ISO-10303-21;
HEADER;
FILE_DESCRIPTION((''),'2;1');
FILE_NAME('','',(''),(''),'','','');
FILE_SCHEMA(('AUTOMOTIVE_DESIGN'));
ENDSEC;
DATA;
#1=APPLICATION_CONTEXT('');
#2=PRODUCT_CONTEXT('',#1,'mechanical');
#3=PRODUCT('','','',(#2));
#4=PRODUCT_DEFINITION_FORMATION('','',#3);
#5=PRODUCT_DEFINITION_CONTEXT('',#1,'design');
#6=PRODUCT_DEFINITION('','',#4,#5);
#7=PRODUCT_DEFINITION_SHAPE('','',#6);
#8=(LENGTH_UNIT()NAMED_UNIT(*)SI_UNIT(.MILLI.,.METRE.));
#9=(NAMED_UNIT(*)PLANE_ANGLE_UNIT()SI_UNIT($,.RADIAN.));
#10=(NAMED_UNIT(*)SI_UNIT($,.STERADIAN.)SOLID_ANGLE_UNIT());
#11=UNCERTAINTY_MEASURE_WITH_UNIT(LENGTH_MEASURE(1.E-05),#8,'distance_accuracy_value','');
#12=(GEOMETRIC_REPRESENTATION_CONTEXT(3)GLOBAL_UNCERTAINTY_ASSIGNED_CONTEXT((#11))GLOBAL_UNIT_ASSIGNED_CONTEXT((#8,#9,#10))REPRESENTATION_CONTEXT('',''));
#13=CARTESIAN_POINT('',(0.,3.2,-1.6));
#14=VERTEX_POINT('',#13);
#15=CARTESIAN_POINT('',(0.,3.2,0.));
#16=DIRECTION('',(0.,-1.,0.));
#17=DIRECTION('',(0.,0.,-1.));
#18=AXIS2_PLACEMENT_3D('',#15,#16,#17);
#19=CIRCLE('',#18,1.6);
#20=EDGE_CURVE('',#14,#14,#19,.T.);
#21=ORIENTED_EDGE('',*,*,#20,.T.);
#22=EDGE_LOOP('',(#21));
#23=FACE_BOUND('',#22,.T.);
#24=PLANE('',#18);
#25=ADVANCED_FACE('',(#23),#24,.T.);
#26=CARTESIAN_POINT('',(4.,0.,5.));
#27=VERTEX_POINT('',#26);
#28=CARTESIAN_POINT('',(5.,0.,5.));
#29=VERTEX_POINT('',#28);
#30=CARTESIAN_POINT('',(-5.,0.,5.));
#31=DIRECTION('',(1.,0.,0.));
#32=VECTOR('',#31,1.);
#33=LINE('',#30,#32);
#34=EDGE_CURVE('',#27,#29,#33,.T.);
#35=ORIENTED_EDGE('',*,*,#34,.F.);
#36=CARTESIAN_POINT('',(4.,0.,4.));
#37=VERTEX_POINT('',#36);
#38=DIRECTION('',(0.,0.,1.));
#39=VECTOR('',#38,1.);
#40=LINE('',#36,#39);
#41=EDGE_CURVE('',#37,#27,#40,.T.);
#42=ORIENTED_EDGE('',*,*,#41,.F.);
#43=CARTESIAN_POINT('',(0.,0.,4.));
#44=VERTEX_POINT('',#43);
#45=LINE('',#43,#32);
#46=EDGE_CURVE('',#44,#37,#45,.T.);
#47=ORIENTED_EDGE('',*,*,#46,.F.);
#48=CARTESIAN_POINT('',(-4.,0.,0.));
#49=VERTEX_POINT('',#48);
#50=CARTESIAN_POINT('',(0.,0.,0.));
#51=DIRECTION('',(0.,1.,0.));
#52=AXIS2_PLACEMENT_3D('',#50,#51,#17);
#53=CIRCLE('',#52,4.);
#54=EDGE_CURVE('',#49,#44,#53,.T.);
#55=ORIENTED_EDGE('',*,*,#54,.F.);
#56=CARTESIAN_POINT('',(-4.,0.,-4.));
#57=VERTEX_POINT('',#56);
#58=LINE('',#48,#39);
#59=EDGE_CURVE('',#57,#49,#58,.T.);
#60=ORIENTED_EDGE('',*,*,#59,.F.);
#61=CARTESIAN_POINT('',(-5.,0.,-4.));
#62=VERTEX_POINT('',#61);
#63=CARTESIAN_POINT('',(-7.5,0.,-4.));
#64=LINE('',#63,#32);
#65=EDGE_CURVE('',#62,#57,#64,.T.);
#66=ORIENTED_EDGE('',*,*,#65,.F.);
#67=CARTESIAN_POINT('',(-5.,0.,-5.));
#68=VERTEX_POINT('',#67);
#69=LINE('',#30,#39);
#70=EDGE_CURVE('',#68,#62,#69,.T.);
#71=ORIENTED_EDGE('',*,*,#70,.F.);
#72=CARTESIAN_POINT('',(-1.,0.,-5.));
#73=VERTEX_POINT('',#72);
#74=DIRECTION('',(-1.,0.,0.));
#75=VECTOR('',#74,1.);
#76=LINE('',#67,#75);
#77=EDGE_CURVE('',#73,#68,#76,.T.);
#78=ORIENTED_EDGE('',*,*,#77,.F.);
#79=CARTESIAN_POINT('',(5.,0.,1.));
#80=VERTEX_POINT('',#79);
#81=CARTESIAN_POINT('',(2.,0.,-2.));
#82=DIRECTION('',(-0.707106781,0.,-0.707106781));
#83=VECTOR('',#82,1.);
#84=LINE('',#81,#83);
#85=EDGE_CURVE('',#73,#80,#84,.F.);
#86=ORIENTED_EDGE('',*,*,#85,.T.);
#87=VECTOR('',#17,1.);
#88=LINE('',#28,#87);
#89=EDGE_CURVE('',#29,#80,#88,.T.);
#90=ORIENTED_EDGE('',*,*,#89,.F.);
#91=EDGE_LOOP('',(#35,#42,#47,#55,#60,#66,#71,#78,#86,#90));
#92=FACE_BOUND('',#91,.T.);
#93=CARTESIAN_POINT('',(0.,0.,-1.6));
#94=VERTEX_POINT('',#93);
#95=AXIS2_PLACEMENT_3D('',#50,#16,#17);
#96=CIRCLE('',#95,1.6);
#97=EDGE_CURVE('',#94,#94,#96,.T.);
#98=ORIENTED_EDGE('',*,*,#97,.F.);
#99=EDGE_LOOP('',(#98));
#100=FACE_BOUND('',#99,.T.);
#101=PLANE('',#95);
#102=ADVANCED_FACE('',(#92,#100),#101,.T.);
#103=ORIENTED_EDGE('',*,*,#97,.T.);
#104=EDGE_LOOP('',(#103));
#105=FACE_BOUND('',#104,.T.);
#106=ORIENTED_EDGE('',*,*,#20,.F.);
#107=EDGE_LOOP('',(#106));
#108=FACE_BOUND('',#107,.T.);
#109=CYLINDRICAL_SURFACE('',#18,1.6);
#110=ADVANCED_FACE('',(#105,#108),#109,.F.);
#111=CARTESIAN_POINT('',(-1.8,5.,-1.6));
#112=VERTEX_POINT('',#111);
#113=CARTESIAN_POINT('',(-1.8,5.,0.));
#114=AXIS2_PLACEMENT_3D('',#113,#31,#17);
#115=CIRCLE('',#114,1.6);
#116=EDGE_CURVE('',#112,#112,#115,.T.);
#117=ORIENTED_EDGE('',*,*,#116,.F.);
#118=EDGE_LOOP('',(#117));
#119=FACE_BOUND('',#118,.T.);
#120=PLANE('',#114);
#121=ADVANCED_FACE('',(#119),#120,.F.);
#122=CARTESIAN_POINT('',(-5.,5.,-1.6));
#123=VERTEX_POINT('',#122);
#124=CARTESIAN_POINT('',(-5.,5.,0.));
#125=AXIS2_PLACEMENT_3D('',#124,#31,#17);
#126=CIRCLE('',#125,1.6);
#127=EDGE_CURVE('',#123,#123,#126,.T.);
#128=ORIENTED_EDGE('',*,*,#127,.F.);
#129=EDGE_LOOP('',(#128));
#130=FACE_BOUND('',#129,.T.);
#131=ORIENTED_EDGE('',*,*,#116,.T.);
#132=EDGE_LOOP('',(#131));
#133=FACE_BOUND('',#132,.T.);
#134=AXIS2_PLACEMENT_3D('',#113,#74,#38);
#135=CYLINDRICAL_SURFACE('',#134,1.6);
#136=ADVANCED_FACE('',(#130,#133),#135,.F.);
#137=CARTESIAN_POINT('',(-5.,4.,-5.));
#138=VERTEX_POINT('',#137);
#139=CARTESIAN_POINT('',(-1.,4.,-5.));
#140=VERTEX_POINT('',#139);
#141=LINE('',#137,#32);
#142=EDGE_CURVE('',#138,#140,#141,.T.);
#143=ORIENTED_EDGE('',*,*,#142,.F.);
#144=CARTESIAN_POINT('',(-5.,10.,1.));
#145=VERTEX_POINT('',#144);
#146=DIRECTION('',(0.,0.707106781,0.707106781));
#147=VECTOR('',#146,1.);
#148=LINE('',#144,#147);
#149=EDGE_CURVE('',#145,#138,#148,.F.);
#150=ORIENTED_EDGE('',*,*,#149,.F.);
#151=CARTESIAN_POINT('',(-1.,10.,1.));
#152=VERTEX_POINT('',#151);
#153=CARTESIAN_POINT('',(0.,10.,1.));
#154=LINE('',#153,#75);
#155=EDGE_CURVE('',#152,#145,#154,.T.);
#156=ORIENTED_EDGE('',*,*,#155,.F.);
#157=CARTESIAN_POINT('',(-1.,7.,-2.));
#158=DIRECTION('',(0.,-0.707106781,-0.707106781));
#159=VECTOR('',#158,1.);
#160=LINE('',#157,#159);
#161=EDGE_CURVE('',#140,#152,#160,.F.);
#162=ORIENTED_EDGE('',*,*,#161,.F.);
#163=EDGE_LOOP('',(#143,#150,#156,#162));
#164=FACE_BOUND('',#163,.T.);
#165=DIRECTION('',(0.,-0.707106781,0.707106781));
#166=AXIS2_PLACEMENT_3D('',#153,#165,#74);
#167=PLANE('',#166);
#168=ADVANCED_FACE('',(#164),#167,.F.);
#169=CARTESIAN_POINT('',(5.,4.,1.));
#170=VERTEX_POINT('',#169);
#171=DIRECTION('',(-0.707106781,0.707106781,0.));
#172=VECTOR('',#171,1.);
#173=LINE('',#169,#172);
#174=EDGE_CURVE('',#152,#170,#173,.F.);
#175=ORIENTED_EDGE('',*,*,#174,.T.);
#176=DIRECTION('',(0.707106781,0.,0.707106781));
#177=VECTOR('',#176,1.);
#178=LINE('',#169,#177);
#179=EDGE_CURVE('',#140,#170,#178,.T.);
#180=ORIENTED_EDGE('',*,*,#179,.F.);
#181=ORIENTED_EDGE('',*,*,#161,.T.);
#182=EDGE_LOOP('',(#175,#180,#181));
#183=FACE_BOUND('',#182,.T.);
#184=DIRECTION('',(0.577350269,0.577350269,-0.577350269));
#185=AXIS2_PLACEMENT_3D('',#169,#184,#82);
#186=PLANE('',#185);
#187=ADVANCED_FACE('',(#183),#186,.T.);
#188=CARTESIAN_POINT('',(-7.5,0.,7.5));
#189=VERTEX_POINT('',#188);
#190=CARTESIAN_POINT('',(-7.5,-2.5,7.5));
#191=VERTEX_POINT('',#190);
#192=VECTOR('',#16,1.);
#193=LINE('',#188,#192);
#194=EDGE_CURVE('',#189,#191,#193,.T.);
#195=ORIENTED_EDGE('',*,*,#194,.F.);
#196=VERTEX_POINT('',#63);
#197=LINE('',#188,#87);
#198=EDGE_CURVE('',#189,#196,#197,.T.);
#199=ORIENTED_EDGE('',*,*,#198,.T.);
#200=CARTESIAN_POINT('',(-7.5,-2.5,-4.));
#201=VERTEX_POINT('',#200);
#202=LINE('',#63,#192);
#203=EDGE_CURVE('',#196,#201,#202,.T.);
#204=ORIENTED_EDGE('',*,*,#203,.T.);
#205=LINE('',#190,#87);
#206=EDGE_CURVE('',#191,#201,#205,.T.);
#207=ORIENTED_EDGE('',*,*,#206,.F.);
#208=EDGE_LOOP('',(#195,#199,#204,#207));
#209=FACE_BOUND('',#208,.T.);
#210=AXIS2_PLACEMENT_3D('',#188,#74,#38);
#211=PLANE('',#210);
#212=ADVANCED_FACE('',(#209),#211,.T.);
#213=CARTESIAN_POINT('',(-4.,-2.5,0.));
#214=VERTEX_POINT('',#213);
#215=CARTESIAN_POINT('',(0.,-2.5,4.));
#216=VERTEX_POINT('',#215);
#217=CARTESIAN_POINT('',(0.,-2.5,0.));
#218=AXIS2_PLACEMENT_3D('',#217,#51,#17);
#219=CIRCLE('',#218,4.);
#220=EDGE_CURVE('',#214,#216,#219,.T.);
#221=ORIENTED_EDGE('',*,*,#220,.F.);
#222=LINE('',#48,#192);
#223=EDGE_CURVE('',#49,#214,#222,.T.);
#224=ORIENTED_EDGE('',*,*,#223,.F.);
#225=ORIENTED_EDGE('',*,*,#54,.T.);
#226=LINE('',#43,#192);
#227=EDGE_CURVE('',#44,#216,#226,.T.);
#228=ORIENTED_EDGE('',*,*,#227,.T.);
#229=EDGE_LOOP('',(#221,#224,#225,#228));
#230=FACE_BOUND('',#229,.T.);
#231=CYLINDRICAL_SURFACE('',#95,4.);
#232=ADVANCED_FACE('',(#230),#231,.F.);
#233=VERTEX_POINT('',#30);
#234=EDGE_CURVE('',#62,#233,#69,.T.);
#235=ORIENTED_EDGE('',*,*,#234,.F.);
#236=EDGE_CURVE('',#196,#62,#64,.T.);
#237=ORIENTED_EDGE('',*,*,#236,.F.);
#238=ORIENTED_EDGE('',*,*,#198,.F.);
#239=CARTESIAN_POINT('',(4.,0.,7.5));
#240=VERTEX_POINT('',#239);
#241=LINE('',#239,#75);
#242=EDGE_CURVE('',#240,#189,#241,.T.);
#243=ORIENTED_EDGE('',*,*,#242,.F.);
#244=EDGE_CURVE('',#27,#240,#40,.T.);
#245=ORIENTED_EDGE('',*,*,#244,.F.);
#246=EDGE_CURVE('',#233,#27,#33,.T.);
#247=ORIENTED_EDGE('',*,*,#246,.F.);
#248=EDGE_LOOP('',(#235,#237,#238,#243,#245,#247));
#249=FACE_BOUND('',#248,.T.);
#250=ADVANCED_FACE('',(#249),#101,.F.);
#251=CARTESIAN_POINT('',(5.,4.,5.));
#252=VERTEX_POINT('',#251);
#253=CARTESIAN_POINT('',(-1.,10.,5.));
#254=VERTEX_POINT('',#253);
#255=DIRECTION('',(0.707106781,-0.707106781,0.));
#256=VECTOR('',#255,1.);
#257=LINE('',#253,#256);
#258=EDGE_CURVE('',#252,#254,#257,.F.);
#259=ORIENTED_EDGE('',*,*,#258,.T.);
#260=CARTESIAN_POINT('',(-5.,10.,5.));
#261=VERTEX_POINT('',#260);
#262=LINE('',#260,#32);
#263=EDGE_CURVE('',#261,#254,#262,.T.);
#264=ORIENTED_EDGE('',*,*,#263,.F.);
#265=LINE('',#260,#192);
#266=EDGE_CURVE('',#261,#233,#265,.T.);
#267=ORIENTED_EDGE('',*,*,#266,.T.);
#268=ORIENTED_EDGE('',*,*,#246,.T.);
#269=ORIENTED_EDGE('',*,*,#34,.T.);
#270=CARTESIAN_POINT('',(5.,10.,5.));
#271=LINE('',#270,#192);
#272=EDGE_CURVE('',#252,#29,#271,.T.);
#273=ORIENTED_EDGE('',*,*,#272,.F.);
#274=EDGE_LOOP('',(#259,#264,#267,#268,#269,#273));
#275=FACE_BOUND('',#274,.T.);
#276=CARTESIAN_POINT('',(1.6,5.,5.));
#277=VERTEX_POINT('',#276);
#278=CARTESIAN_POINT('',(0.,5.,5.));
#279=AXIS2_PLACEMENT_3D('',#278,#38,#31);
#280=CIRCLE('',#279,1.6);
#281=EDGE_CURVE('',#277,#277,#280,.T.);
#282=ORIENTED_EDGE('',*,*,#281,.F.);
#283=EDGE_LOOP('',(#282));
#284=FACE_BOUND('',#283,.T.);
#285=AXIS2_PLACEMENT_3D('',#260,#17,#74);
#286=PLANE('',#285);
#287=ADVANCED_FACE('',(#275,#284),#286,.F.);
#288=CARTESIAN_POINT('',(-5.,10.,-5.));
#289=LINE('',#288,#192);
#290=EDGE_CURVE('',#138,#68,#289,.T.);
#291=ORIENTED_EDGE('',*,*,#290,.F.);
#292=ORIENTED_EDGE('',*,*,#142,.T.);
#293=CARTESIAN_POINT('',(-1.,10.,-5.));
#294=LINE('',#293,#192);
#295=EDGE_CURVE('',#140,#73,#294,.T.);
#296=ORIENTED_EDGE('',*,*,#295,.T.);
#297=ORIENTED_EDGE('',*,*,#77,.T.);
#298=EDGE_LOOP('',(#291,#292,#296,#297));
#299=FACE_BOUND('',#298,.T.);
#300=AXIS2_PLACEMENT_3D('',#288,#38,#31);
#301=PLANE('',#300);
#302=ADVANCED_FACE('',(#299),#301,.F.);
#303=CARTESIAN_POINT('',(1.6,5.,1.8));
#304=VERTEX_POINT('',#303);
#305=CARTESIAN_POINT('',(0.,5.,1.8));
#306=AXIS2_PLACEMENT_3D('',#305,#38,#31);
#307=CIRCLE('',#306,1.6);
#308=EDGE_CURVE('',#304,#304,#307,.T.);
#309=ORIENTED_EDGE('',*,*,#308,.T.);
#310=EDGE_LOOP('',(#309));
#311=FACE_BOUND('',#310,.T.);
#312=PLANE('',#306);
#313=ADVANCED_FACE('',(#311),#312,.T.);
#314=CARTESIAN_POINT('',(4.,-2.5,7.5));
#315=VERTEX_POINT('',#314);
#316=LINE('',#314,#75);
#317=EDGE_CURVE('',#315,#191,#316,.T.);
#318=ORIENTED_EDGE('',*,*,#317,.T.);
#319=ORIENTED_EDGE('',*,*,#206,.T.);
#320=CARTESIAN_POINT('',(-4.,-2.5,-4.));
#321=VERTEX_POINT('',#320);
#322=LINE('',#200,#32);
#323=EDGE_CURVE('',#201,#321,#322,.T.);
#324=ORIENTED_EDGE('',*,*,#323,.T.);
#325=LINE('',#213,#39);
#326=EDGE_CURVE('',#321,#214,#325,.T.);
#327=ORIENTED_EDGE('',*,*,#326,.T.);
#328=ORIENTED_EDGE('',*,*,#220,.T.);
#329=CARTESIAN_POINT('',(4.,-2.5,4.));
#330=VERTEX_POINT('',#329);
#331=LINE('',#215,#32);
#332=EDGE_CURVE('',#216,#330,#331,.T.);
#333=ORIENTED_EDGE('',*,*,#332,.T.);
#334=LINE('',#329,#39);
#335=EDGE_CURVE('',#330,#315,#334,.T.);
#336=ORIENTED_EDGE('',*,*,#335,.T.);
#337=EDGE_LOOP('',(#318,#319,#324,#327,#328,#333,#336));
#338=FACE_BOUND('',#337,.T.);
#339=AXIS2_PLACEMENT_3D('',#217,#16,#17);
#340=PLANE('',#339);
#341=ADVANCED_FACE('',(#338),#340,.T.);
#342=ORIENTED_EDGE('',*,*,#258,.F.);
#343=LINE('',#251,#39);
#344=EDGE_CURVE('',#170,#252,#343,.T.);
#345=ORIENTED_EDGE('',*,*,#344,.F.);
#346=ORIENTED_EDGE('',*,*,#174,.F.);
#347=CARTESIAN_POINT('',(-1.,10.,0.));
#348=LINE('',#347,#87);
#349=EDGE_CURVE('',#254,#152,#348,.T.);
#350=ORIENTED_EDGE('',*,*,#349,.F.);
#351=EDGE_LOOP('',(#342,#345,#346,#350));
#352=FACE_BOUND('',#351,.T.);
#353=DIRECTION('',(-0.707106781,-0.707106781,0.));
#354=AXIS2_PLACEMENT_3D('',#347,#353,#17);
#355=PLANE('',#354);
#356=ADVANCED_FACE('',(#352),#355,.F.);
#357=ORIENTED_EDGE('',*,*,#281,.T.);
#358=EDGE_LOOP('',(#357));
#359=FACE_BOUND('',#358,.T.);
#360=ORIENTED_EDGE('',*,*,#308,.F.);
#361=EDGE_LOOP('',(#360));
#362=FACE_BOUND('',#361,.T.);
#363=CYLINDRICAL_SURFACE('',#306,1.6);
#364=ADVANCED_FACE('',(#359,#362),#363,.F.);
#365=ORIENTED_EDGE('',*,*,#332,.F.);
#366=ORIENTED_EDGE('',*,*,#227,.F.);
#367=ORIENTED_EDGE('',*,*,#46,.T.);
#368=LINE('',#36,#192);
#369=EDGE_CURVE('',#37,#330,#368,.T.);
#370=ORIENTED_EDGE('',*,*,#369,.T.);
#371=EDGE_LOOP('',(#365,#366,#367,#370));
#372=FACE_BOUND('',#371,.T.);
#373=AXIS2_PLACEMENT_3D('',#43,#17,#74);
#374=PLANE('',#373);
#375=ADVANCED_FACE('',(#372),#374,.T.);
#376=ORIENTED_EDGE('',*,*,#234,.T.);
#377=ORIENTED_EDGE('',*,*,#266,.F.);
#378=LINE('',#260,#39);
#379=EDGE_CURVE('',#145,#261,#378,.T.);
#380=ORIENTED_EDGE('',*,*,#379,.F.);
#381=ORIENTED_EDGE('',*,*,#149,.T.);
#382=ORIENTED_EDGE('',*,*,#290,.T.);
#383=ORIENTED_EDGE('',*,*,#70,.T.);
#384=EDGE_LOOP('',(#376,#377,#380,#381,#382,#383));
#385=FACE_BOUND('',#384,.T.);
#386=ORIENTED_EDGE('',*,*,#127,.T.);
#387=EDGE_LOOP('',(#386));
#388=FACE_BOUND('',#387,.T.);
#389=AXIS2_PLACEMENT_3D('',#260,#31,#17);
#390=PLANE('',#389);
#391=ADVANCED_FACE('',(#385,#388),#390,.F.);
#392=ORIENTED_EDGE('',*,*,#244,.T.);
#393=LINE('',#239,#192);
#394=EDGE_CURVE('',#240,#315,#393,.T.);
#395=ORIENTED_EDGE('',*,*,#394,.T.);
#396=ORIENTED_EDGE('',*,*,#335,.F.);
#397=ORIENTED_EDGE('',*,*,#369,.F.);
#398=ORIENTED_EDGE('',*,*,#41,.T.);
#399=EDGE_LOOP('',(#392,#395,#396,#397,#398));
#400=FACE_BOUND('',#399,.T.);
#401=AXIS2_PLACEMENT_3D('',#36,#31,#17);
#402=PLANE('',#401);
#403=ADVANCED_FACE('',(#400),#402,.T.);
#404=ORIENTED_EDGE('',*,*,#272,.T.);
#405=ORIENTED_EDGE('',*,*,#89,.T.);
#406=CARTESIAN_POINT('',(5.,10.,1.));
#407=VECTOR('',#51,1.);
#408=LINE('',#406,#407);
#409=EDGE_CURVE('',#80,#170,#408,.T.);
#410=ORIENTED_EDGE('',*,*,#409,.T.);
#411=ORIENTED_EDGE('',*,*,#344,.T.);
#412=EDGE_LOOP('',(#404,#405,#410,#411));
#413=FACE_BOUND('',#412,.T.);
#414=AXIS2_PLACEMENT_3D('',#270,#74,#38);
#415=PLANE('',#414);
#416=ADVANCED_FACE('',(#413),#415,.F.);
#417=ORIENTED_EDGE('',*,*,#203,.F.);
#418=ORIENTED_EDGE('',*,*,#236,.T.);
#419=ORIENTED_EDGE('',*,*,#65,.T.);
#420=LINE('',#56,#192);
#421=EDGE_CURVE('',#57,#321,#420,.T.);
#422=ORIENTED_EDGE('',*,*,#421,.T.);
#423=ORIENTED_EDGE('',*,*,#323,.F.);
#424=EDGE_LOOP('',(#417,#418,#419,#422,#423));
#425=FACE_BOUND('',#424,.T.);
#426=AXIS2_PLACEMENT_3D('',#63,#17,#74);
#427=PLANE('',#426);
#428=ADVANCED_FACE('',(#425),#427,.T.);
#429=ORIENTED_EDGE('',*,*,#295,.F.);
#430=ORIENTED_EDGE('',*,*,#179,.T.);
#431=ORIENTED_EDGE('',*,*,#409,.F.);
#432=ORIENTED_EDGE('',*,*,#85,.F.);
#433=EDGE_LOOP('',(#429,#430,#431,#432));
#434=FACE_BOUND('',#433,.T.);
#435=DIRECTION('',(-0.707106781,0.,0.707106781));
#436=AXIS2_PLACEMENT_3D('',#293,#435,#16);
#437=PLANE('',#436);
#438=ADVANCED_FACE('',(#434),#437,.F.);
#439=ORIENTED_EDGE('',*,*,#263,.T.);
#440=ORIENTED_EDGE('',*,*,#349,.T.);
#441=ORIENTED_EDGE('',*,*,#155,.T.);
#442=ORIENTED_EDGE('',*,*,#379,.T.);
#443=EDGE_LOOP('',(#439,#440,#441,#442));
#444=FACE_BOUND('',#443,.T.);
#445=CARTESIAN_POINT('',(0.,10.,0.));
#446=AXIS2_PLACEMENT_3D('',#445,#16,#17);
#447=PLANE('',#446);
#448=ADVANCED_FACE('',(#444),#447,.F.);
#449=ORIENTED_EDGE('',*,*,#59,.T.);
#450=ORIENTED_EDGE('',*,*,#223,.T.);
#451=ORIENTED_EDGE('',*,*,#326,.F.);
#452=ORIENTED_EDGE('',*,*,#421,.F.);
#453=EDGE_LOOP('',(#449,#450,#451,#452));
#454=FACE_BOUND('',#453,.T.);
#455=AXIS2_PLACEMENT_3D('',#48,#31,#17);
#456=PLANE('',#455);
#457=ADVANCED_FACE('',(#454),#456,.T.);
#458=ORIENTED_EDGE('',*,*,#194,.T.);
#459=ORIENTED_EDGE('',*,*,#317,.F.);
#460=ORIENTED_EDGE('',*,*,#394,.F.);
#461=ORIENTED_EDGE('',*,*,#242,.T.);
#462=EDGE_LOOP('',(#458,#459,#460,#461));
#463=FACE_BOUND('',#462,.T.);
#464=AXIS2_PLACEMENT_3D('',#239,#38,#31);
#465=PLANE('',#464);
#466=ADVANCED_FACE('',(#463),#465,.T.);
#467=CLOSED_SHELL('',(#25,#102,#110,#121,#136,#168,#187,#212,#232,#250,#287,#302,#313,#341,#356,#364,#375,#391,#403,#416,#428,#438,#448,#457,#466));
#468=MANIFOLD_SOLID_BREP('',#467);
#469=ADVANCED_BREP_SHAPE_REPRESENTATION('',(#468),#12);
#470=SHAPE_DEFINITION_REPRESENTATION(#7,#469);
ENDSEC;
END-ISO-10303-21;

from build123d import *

# Parameters (mm, degrees)
SKETCH1_W           = 10
SKETCH1_H           = 10
BOSS_EXTRUDE1_DEPTH = 10
SKETCH2_R           = 1.6
CUT_EXTRUDE1_DEPTH  = 3.2
SKETCH3_R           = 1.6
CUT_EXTRUDE3_DEPTH  = 3.2
SKETCH4_R           = 1.6
CUT_EXTRUDE4_DEPTH  = 3.2
CHAMFER1_SIZE       = 6
BOSS_EXTRUDE2_DEPTH = 2.5


with BuildPart() as part:
    # Sketch1 → Boss-Extrude1 (new body)
    with BuildSketch(Plane(origin=(0, 0, 0), x_dir=(1, 0, 0), z_dir=(0, 1, 0))):
        Rectangle(SKETCH1_W, SKETCH1_H)
    extrude(amount=BOSS_EXTRUDE1_DEPTH)

    # Sketch2 → Cut-Extrude1 (cut)
    with BuildSketch(Plane.XY.offset(5)):
        with Locations((0, 5)):
            Circle(SKETCH2_R)
    extrude(amount=-CUT_EXTRUDE1_DEPTH, mode=Mode.SUBTRACT)

    # Sketch3 → Cut-Extrude3 (cut)
    with BuildSketch(Plane(origin=(0, 0, 0), x_dir=(-1, 0, 0), z_dir=(0, -1, 0))):
        with Locations(Location((0, 0, 0), (0, 0, 90))):
            Circle(SKETCH3_R)
    extrude(amount=-CUT_EXTRUDE3_DEPTH, mode=Mode.SUBTRACT)

    # Sketch4 → Cut-Extrude4 (cut)
    with BuildSketch(Plane(origin=(-5, 0, 0), x_dir=(0, 0, -1), z_dir=(1, 0, 0))):
        with Locations((0, 5)):
            Circle(SKETCH4_R)
    extrude(amount=CUT_EXTRUDE4_DEPTH, mode=Mode.SUBTRACT)

    # Chamfer1
    chamfer1_edges = [part.edges().sort_by_distance(p)[0] for p in [
        (5, 10, 0),
        (5, 5, -5),
        (0, 10, -5),
    ]]
    chamfer(chamfer1_edges, length=CHAMFER1_SIZE)

    # Sketch5 → Boss-Extrude2 (add)
    with BuildSketch(Plane(origin=(0, -2.5, 0), x_dir=(-1, 0, 0), z_dir=(0, -1, 0))):
        with BuildLine():
            Line((-4, -4), (-4, -7.5))
            Line((-4, -7.5), (7.5, -7.5))
            Line((7.5, -7.5), (7.5, 4))
            Line((7.5, 4), (4, 4))
            Line((4, 4), (4, 0))
            ThreePointArc((4, 0), (2.828427125, -2.828427125), (0, -4))
            Line((0, -4), (-4, -4))
        make_face()
    extrude(amount=-BOSS_EXTRUDE2_DEPTH)


solid = part.part
